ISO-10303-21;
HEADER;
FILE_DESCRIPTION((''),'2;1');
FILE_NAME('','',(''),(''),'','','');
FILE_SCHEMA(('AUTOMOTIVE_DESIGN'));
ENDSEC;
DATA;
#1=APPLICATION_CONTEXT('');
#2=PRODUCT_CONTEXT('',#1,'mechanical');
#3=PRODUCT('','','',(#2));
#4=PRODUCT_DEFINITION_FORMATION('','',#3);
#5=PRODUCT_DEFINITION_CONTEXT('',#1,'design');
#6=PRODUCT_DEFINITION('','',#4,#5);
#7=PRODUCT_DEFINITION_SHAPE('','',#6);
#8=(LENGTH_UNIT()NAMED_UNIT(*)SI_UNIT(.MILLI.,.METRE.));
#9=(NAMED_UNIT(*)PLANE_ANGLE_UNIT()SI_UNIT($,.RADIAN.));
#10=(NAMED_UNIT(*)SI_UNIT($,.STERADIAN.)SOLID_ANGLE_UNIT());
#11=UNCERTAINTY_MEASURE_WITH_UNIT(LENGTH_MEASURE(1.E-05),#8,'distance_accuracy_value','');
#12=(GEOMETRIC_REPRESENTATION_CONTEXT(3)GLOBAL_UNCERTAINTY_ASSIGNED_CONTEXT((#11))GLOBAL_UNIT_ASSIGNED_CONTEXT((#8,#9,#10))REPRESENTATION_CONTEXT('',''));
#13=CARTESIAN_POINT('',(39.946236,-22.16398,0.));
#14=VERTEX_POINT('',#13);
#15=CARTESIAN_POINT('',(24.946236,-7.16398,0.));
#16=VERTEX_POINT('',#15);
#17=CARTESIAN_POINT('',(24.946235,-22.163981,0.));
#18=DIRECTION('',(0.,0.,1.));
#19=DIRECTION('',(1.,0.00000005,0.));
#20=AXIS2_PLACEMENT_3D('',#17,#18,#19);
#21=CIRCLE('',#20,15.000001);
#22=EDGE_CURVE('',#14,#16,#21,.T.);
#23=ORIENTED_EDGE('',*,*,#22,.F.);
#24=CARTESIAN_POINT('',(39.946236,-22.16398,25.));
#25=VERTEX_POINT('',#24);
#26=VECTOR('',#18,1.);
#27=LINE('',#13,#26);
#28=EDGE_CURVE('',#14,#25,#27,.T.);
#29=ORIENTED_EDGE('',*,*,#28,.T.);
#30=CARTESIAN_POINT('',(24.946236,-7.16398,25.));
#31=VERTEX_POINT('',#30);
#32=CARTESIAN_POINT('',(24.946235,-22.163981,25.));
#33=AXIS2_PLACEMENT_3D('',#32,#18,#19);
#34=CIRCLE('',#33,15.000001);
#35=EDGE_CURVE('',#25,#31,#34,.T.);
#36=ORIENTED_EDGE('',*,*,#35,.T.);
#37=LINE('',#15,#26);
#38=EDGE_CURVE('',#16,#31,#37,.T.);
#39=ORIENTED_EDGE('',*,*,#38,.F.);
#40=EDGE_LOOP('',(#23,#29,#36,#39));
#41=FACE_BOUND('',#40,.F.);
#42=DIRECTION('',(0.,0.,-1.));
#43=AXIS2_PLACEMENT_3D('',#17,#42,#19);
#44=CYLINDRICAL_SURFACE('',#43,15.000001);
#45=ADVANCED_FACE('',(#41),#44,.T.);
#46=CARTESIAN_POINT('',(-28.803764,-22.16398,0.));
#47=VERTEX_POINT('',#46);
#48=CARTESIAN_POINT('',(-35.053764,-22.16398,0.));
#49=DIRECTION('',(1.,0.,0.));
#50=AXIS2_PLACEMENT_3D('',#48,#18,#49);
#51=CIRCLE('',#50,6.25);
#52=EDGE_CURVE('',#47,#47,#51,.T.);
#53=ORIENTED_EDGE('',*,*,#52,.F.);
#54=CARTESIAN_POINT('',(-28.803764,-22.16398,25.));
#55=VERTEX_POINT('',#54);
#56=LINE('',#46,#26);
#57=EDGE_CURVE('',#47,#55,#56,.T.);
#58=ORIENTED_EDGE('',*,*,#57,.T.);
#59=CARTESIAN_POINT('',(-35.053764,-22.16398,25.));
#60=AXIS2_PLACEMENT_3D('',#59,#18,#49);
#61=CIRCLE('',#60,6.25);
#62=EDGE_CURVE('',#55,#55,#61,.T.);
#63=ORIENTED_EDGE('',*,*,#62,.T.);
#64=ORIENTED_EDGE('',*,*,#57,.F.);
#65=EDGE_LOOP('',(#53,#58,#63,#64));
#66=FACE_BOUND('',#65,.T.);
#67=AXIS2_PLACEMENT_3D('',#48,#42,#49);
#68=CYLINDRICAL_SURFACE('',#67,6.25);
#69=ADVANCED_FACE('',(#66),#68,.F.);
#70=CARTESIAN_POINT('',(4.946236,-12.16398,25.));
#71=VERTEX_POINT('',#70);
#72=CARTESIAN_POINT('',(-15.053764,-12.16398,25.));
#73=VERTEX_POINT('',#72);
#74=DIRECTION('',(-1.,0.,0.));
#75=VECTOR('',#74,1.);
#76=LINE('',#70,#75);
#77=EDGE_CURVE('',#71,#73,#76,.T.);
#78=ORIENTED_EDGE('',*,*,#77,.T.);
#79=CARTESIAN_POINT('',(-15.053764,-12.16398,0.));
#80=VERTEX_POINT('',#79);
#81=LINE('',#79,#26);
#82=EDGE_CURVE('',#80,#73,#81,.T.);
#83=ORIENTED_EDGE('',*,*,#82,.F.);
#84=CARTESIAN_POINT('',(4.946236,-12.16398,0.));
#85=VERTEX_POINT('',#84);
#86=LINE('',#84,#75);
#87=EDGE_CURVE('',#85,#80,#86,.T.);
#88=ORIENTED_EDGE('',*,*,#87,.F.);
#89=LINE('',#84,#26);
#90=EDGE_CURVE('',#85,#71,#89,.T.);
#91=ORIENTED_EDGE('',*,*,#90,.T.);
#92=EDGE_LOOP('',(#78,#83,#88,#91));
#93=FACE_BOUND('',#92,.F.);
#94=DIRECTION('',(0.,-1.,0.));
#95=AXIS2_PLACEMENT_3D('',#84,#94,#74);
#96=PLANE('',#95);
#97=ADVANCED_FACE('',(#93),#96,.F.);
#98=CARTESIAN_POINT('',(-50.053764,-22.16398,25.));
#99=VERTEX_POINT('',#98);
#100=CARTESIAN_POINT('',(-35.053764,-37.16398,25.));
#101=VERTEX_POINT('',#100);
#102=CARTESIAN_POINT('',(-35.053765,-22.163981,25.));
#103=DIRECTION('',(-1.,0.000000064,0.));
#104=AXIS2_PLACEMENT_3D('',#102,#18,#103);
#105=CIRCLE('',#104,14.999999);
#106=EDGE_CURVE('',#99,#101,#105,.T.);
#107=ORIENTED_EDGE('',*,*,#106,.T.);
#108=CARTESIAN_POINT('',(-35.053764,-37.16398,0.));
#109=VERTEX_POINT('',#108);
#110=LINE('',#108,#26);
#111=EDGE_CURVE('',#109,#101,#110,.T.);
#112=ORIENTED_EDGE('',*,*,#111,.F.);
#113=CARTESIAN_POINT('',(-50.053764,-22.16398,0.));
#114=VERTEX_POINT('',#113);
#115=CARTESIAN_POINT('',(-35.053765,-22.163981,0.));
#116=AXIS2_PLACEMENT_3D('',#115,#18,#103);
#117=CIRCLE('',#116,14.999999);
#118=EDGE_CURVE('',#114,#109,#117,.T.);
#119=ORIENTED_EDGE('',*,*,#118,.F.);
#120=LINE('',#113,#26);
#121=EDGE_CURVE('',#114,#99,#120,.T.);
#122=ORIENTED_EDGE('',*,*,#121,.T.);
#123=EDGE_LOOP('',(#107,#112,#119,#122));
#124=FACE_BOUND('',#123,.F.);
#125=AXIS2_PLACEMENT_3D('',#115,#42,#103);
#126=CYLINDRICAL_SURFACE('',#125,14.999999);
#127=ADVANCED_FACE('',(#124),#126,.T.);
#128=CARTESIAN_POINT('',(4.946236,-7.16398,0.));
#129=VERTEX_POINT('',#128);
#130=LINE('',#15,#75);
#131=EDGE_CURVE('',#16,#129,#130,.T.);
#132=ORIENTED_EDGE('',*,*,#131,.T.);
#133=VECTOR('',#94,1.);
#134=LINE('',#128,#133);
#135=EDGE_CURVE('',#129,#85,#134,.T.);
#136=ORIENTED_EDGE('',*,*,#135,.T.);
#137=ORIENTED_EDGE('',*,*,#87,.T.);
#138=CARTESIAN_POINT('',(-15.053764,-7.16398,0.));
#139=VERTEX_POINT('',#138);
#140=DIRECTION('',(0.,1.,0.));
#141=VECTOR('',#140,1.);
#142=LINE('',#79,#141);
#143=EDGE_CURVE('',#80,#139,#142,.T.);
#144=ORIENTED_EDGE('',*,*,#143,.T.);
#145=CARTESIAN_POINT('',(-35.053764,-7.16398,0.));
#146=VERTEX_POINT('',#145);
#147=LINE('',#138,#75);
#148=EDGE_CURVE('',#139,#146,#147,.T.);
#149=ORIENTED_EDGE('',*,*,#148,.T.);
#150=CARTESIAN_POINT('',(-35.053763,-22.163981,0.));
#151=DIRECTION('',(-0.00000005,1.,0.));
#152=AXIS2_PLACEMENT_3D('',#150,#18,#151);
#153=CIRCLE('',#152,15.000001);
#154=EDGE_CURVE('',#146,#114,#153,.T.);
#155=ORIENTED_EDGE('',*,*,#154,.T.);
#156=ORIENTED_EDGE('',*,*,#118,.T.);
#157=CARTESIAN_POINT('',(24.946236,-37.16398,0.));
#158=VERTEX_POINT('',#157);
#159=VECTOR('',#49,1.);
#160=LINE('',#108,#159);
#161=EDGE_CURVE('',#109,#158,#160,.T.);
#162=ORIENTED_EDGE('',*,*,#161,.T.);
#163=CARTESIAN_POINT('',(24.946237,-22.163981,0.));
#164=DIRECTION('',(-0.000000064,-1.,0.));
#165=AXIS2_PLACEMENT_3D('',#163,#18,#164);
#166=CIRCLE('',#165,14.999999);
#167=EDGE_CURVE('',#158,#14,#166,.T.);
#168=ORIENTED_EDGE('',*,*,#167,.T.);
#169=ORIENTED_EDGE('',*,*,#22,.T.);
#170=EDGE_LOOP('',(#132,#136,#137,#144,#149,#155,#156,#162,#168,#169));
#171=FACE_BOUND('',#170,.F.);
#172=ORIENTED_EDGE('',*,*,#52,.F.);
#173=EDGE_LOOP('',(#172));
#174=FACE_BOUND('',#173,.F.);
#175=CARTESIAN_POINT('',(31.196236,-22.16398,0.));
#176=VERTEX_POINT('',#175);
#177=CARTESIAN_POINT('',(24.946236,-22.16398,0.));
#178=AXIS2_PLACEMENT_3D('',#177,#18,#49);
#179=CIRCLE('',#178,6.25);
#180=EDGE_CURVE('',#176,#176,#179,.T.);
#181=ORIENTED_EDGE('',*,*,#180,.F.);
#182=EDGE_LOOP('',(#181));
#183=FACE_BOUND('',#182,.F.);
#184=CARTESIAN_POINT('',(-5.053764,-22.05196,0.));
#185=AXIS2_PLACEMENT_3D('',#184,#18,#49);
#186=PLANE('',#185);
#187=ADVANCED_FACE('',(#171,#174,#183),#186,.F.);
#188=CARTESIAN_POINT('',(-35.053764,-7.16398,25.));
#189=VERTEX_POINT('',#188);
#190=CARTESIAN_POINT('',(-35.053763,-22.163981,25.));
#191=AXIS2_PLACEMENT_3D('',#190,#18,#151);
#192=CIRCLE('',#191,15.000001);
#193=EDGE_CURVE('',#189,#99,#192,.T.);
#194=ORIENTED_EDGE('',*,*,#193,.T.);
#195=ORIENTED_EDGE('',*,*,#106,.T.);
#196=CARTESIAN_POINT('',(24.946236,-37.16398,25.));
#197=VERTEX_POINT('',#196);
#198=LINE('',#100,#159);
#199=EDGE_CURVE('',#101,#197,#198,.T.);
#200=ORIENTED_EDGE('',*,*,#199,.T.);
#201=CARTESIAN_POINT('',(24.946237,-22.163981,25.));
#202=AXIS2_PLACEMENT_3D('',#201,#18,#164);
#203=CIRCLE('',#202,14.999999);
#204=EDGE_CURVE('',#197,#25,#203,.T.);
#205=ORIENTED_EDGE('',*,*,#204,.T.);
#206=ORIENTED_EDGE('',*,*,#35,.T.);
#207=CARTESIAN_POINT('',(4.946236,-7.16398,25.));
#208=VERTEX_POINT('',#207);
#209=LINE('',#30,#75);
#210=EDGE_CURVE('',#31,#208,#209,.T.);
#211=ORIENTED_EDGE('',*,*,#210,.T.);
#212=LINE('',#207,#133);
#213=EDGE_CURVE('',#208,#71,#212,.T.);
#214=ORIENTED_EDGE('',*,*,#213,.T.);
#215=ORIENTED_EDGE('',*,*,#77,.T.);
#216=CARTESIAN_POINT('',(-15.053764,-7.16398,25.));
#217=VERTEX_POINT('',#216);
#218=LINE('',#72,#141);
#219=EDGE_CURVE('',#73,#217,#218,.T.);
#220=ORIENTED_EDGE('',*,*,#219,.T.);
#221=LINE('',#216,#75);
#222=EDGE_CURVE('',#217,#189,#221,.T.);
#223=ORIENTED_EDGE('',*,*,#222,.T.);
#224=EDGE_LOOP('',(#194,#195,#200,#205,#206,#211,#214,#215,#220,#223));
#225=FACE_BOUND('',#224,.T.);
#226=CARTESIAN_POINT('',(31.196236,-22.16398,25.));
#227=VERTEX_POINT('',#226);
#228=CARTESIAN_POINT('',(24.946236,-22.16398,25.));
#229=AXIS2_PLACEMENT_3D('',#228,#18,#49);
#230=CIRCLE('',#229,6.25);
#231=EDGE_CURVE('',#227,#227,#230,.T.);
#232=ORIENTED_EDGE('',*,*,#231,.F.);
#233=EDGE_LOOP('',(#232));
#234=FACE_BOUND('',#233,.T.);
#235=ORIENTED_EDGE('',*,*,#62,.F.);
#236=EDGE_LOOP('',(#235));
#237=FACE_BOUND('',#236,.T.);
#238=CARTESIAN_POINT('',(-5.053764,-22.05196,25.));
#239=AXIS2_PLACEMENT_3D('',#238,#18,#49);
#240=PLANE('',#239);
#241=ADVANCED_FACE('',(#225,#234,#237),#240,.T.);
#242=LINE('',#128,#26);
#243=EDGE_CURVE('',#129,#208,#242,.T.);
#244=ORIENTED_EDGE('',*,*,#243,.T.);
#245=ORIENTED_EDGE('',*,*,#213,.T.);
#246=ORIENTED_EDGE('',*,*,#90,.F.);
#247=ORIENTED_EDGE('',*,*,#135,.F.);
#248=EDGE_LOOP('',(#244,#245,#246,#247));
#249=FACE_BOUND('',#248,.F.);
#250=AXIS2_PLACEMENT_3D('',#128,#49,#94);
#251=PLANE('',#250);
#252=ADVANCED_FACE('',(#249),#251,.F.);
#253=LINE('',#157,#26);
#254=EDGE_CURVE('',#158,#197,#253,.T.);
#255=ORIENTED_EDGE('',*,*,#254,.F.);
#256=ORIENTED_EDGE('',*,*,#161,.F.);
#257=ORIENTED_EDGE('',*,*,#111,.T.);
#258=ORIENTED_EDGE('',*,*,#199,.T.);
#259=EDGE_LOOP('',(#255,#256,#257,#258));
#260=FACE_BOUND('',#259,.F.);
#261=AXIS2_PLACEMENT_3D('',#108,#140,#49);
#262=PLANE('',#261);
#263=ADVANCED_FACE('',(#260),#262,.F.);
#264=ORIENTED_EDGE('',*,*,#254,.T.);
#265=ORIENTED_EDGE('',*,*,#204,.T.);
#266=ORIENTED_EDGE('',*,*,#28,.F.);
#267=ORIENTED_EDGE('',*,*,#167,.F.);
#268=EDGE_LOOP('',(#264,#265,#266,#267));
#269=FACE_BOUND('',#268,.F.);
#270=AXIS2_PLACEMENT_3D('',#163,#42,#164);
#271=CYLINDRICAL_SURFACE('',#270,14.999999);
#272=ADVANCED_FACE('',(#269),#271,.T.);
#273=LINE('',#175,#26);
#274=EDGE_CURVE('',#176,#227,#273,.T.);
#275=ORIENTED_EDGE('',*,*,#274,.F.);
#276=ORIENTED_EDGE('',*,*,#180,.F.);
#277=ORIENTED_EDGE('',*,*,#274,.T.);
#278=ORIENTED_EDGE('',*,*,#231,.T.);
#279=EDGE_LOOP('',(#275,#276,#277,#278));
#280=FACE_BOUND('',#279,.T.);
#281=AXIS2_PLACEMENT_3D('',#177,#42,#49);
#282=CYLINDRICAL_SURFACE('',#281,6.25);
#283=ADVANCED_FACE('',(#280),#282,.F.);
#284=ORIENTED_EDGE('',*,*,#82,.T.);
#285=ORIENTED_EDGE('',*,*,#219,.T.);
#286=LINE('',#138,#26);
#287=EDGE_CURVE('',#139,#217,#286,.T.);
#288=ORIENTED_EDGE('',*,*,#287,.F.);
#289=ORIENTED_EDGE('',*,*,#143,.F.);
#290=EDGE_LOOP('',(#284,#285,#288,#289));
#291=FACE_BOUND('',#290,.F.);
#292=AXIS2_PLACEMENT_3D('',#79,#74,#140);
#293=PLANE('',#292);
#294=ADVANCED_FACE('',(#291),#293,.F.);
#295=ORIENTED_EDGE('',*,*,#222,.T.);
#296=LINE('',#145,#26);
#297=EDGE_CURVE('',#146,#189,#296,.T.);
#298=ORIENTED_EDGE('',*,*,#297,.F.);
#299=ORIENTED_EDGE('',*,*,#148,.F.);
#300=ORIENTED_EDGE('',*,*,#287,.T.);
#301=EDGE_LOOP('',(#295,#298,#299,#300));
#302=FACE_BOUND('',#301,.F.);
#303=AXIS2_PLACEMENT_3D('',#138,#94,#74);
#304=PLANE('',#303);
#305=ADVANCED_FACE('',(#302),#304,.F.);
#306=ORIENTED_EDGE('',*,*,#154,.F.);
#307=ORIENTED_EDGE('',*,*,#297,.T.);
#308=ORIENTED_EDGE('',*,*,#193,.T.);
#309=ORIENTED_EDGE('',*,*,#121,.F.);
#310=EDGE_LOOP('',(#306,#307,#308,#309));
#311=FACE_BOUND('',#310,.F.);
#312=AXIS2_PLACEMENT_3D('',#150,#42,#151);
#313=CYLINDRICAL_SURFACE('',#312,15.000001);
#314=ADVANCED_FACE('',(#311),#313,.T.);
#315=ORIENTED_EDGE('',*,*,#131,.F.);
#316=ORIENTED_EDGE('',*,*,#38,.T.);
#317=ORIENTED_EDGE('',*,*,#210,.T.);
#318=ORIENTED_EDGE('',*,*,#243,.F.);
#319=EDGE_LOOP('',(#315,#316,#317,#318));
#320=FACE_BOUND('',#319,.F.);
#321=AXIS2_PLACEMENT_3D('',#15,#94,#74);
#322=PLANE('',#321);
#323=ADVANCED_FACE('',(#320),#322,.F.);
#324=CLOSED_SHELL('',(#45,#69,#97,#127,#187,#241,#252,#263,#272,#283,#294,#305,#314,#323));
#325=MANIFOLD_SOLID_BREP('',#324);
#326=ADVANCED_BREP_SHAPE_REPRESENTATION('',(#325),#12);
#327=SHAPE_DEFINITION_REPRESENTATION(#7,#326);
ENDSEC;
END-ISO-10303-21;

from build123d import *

# Parameters (mm, degrees)
F0_R     = 6.25
F1_DEPTH = 25


with BuildPart() as f1:
    # F0 (on Top) → F1 (new body)
    with BuildSketch(Plane.XY):
        with BuildLine():
            ThreePointArc((-50.053764, -22.16398), (-45.660366, -32.770582), (-35.053764, -37.16398))
            Line((-35.053764, -37.16398), (24.946236, -37.16398))
            ThreePointArc((24.946236, -37.16398), (35.552838, -32.770582), (39.946236, -22.16398))
            ThreePointArc((39.946236, -22.16398), (35.552838, -11.557379), (24.946236, -7.16398))
            Line((24.946236, -7.16398), (4.946236, -7.16398))
            Line((4.946236, -7.16398), (4.946236, -12.16398))
            Line((4.946236, -12.16398), (-15.053764, -12.16398))
            Line((-15.053764, -12.16398), (-15.053764, -7.16398))
            Line((-15.053764, -7.16398), (-35.053764, -7.16398))
            ThreePointArc((-35.053764, -7.16398), (-45.660366, -11.557379), (-50.053764, -22.16398))
        make_face()
        with Locations((-35.053764, -22.16398)):
            Circle(F0_R, mode=Mode.SUBTRACT)
        with Locations((24.946236, -22.16398)):
            Circle(F0_R, mode=Mode.SUBTRACT)
    extrude(amount=F1_DEPTH)


solid = f1.part
